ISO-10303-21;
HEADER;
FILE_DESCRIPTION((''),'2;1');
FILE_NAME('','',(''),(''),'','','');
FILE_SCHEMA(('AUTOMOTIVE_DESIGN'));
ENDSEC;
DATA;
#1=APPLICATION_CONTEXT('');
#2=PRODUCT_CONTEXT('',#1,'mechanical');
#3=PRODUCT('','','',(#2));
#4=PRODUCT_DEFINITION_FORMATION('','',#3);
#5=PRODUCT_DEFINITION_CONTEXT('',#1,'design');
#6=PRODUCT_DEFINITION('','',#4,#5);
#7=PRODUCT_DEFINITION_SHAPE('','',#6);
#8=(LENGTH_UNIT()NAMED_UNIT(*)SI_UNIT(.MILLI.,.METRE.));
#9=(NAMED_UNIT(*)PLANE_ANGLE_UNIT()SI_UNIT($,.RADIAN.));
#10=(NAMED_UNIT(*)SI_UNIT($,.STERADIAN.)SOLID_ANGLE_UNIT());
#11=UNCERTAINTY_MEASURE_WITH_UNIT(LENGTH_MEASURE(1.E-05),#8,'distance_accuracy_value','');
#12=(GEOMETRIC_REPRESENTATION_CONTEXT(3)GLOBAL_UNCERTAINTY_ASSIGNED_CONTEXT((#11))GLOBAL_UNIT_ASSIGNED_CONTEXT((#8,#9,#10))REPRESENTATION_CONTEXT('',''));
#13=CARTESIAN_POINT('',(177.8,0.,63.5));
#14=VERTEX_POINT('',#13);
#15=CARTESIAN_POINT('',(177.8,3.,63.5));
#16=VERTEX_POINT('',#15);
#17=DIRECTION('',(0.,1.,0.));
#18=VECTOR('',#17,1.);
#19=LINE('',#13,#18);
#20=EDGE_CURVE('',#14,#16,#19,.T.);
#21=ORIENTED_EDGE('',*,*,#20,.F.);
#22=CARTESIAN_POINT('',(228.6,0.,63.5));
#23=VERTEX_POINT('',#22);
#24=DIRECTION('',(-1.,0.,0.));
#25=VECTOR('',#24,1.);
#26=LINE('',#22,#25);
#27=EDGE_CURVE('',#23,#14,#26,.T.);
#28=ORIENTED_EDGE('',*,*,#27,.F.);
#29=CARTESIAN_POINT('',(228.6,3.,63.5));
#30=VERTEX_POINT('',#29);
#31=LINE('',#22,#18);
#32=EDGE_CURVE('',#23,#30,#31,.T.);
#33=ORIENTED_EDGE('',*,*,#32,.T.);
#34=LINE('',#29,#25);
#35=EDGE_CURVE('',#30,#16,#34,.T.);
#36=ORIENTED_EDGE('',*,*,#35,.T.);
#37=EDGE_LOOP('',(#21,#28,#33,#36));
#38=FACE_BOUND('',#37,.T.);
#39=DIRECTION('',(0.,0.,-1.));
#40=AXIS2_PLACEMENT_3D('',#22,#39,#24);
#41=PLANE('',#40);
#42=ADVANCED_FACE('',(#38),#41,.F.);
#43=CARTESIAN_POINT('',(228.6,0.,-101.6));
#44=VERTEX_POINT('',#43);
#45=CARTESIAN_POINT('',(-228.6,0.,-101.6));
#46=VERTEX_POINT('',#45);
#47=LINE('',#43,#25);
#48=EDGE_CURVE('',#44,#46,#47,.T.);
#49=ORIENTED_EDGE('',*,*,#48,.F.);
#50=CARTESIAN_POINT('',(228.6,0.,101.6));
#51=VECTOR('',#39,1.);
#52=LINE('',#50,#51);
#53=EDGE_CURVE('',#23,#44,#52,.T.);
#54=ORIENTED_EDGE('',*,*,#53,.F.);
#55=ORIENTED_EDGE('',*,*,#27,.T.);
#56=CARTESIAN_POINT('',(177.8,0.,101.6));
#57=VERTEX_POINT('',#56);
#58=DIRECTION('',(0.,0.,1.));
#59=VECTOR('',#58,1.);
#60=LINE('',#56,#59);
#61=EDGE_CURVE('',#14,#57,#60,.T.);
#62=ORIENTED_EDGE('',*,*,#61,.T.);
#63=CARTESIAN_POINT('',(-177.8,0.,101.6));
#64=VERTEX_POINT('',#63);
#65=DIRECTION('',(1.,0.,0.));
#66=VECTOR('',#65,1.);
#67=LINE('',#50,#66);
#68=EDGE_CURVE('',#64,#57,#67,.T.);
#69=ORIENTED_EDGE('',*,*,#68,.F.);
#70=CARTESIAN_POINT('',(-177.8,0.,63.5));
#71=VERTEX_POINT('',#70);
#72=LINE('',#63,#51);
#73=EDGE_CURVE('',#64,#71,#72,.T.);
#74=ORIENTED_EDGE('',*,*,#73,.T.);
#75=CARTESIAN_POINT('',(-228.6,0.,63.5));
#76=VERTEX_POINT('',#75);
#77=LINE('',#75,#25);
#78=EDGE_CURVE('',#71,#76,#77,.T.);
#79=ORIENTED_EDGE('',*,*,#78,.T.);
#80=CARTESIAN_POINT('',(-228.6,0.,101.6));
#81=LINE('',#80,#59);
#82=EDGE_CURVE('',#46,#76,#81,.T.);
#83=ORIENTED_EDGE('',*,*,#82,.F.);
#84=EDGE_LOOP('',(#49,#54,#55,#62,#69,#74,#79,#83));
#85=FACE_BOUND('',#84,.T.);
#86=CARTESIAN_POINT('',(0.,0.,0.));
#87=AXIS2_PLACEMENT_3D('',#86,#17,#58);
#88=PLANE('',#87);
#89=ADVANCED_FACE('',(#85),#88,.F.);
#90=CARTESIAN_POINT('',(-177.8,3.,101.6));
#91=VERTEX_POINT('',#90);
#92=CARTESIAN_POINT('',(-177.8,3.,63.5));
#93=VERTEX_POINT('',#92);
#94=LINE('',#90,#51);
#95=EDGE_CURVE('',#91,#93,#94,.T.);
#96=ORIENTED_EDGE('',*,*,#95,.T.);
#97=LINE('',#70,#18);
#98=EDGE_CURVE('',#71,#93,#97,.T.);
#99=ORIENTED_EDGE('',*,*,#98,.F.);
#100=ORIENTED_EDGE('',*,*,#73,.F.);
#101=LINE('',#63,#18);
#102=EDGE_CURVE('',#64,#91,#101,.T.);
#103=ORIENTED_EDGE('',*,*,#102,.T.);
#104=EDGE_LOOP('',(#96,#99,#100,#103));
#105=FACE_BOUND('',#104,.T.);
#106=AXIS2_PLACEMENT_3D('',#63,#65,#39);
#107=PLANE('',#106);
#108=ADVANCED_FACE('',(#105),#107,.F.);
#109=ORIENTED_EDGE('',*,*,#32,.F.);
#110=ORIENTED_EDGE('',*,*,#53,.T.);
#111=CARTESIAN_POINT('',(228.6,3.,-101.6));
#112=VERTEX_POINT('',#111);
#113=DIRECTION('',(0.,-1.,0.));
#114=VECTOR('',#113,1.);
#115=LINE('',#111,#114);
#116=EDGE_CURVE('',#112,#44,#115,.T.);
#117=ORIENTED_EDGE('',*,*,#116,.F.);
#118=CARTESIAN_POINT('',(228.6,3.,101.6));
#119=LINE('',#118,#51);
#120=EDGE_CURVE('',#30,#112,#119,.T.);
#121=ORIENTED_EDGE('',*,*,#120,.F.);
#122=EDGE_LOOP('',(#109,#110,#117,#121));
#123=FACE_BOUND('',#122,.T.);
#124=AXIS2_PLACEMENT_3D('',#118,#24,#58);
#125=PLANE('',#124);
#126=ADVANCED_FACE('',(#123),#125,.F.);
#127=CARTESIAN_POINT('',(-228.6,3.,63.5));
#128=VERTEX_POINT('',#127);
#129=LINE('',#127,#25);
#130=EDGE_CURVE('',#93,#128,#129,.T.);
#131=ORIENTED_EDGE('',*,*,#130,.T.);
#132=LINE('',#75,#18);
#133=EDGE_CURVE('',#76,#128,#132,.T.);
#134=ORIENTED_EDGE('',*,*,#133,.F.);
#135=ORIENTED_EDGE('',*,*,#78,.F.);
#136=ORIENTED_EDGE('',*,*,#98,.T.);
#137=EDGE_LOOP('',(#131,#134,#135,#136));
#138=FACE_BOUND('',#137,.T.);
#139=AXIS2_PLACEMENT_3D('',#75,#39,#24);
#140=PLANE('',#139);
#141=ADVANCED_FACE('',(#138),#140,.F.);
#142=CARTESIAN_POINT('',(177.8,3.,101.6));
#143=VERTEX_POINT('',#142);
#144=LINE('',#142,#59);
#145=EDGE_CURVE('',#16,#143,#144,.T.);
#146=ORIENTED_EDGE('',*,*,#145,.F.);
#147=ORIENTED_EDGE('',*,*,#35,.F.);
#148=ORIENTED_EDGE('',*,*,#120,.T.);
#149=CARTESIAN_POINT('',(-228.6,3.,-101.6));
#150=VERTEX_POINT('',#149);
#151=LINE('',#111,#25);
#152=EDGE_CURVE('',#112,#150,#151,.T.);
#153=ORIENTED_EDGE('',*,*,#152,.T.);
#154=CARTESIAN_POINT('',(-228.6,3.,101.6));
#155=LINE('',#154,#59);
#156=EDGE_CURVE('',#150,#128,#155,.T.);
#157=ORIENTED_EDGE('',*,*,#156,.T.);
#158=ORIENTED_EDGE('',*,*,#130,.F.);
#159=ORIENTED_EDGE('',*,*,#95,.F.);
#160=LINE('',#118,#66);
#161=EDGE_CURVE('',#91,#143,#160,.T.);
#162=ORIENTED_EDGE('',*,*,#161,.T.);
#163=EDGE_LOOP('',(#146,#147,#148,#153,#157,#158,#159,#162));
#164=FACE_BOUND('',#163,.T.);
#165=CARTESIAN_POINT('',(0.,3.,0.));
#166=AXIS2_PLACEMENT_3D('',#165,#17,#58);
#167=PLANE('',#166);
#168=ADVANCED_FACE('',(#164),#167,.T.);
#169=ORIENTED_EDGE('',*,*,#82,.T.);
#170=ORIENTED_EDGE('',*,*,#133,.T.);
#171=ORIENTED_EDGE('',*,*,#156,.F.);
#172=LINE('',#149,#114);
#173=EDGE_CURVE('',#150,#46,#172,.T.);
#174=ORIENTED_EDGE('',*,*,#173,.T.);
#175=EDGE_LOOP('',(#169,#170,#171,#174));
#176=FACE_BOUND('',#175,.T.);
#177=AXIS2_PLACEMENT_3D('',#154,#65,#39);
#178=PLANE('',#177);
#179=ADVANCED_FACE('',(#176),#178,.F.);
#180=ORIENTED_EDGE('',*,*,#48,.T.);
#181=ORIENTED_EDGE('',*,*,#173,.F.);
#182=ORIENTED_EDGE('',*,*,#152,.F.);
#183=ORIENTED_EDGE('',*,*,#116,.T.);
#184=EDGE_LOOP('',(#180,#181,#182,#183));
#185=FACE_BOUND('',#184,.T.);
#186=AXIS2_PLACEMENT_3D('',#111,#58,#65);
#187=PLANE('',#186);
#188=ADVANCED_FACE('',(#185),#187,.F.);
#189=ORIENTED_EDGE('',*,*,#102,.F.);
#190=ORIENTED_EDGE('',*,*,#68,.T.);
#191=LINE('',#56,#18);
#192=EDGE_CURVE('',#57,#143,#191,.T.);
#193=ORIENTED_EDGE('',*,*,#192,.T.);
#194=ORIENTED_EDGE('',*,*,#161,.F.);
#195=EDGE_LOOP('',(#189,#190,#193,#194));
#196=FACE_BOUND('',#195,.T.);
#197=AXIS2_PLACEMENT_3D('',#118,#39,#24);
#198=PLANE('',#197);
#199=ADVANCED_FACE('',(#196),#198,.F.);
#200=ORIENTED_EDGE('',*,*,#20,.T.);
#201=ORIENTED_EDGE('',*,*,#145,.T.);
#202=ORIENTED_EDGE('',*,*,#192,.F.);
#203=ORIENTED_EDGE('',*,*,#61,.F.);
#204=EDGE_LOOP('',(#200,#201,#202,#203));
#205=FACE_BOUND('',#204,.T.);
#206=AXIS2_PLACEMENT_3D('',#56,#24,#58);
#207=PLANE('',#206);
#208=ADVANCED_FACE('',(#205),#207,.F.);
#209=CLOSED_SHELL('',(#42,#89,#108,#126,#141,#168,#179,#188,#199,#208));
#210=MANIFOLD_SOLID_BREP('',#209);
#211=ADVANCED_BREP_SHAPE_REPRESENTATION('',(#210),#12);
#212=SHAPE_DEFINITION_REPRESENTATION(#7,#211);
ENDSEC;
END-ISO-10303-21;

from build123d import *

# Parameters (mm, degrees)
SKETCH1_W           = 457.2
SKETCH1_H           = 203.2
BOSS_EXTRUDE1_DEPTH = 3
SKETCH2_W           = 50.8
SKETCH2_H           = 38.1
CUT_EXTRUDE1_DEPTH  = 251.178975935


with BuildPart() as part:
    # Sketch1 → Boss-Extrude1 (new body)
    with BuildSketch(Plane(origin=(0, 0, 0), x_dir=(1, 0, 0), z_dir=(0, 1, 0))):
        Rectangle(SKETCH1_W, SKETCH1_H)
    extrude(amount=BOSS_EXTRUDE1_DEPTH)

    # Sketch2 → Cut-Extrude1 (cut, through all)
    with BuildSketch(Plane(origin=(0, 3, 0), x_dir=(1, 0, 0), z_dir=(0, 1, 0))):
        with Locations((-203.2, -82.55)):
            Rectangle(SKETCH2_W, SKETCH2_H)
        with Locations((203.2, -82.55)):
            Rectangle(SKETCH2_W, SKETCH2_H)
    extrude(amount=-CUT_EXTRUDE1_DEPTH, mode=Mode.SUBTRACT)


solid = part.part
